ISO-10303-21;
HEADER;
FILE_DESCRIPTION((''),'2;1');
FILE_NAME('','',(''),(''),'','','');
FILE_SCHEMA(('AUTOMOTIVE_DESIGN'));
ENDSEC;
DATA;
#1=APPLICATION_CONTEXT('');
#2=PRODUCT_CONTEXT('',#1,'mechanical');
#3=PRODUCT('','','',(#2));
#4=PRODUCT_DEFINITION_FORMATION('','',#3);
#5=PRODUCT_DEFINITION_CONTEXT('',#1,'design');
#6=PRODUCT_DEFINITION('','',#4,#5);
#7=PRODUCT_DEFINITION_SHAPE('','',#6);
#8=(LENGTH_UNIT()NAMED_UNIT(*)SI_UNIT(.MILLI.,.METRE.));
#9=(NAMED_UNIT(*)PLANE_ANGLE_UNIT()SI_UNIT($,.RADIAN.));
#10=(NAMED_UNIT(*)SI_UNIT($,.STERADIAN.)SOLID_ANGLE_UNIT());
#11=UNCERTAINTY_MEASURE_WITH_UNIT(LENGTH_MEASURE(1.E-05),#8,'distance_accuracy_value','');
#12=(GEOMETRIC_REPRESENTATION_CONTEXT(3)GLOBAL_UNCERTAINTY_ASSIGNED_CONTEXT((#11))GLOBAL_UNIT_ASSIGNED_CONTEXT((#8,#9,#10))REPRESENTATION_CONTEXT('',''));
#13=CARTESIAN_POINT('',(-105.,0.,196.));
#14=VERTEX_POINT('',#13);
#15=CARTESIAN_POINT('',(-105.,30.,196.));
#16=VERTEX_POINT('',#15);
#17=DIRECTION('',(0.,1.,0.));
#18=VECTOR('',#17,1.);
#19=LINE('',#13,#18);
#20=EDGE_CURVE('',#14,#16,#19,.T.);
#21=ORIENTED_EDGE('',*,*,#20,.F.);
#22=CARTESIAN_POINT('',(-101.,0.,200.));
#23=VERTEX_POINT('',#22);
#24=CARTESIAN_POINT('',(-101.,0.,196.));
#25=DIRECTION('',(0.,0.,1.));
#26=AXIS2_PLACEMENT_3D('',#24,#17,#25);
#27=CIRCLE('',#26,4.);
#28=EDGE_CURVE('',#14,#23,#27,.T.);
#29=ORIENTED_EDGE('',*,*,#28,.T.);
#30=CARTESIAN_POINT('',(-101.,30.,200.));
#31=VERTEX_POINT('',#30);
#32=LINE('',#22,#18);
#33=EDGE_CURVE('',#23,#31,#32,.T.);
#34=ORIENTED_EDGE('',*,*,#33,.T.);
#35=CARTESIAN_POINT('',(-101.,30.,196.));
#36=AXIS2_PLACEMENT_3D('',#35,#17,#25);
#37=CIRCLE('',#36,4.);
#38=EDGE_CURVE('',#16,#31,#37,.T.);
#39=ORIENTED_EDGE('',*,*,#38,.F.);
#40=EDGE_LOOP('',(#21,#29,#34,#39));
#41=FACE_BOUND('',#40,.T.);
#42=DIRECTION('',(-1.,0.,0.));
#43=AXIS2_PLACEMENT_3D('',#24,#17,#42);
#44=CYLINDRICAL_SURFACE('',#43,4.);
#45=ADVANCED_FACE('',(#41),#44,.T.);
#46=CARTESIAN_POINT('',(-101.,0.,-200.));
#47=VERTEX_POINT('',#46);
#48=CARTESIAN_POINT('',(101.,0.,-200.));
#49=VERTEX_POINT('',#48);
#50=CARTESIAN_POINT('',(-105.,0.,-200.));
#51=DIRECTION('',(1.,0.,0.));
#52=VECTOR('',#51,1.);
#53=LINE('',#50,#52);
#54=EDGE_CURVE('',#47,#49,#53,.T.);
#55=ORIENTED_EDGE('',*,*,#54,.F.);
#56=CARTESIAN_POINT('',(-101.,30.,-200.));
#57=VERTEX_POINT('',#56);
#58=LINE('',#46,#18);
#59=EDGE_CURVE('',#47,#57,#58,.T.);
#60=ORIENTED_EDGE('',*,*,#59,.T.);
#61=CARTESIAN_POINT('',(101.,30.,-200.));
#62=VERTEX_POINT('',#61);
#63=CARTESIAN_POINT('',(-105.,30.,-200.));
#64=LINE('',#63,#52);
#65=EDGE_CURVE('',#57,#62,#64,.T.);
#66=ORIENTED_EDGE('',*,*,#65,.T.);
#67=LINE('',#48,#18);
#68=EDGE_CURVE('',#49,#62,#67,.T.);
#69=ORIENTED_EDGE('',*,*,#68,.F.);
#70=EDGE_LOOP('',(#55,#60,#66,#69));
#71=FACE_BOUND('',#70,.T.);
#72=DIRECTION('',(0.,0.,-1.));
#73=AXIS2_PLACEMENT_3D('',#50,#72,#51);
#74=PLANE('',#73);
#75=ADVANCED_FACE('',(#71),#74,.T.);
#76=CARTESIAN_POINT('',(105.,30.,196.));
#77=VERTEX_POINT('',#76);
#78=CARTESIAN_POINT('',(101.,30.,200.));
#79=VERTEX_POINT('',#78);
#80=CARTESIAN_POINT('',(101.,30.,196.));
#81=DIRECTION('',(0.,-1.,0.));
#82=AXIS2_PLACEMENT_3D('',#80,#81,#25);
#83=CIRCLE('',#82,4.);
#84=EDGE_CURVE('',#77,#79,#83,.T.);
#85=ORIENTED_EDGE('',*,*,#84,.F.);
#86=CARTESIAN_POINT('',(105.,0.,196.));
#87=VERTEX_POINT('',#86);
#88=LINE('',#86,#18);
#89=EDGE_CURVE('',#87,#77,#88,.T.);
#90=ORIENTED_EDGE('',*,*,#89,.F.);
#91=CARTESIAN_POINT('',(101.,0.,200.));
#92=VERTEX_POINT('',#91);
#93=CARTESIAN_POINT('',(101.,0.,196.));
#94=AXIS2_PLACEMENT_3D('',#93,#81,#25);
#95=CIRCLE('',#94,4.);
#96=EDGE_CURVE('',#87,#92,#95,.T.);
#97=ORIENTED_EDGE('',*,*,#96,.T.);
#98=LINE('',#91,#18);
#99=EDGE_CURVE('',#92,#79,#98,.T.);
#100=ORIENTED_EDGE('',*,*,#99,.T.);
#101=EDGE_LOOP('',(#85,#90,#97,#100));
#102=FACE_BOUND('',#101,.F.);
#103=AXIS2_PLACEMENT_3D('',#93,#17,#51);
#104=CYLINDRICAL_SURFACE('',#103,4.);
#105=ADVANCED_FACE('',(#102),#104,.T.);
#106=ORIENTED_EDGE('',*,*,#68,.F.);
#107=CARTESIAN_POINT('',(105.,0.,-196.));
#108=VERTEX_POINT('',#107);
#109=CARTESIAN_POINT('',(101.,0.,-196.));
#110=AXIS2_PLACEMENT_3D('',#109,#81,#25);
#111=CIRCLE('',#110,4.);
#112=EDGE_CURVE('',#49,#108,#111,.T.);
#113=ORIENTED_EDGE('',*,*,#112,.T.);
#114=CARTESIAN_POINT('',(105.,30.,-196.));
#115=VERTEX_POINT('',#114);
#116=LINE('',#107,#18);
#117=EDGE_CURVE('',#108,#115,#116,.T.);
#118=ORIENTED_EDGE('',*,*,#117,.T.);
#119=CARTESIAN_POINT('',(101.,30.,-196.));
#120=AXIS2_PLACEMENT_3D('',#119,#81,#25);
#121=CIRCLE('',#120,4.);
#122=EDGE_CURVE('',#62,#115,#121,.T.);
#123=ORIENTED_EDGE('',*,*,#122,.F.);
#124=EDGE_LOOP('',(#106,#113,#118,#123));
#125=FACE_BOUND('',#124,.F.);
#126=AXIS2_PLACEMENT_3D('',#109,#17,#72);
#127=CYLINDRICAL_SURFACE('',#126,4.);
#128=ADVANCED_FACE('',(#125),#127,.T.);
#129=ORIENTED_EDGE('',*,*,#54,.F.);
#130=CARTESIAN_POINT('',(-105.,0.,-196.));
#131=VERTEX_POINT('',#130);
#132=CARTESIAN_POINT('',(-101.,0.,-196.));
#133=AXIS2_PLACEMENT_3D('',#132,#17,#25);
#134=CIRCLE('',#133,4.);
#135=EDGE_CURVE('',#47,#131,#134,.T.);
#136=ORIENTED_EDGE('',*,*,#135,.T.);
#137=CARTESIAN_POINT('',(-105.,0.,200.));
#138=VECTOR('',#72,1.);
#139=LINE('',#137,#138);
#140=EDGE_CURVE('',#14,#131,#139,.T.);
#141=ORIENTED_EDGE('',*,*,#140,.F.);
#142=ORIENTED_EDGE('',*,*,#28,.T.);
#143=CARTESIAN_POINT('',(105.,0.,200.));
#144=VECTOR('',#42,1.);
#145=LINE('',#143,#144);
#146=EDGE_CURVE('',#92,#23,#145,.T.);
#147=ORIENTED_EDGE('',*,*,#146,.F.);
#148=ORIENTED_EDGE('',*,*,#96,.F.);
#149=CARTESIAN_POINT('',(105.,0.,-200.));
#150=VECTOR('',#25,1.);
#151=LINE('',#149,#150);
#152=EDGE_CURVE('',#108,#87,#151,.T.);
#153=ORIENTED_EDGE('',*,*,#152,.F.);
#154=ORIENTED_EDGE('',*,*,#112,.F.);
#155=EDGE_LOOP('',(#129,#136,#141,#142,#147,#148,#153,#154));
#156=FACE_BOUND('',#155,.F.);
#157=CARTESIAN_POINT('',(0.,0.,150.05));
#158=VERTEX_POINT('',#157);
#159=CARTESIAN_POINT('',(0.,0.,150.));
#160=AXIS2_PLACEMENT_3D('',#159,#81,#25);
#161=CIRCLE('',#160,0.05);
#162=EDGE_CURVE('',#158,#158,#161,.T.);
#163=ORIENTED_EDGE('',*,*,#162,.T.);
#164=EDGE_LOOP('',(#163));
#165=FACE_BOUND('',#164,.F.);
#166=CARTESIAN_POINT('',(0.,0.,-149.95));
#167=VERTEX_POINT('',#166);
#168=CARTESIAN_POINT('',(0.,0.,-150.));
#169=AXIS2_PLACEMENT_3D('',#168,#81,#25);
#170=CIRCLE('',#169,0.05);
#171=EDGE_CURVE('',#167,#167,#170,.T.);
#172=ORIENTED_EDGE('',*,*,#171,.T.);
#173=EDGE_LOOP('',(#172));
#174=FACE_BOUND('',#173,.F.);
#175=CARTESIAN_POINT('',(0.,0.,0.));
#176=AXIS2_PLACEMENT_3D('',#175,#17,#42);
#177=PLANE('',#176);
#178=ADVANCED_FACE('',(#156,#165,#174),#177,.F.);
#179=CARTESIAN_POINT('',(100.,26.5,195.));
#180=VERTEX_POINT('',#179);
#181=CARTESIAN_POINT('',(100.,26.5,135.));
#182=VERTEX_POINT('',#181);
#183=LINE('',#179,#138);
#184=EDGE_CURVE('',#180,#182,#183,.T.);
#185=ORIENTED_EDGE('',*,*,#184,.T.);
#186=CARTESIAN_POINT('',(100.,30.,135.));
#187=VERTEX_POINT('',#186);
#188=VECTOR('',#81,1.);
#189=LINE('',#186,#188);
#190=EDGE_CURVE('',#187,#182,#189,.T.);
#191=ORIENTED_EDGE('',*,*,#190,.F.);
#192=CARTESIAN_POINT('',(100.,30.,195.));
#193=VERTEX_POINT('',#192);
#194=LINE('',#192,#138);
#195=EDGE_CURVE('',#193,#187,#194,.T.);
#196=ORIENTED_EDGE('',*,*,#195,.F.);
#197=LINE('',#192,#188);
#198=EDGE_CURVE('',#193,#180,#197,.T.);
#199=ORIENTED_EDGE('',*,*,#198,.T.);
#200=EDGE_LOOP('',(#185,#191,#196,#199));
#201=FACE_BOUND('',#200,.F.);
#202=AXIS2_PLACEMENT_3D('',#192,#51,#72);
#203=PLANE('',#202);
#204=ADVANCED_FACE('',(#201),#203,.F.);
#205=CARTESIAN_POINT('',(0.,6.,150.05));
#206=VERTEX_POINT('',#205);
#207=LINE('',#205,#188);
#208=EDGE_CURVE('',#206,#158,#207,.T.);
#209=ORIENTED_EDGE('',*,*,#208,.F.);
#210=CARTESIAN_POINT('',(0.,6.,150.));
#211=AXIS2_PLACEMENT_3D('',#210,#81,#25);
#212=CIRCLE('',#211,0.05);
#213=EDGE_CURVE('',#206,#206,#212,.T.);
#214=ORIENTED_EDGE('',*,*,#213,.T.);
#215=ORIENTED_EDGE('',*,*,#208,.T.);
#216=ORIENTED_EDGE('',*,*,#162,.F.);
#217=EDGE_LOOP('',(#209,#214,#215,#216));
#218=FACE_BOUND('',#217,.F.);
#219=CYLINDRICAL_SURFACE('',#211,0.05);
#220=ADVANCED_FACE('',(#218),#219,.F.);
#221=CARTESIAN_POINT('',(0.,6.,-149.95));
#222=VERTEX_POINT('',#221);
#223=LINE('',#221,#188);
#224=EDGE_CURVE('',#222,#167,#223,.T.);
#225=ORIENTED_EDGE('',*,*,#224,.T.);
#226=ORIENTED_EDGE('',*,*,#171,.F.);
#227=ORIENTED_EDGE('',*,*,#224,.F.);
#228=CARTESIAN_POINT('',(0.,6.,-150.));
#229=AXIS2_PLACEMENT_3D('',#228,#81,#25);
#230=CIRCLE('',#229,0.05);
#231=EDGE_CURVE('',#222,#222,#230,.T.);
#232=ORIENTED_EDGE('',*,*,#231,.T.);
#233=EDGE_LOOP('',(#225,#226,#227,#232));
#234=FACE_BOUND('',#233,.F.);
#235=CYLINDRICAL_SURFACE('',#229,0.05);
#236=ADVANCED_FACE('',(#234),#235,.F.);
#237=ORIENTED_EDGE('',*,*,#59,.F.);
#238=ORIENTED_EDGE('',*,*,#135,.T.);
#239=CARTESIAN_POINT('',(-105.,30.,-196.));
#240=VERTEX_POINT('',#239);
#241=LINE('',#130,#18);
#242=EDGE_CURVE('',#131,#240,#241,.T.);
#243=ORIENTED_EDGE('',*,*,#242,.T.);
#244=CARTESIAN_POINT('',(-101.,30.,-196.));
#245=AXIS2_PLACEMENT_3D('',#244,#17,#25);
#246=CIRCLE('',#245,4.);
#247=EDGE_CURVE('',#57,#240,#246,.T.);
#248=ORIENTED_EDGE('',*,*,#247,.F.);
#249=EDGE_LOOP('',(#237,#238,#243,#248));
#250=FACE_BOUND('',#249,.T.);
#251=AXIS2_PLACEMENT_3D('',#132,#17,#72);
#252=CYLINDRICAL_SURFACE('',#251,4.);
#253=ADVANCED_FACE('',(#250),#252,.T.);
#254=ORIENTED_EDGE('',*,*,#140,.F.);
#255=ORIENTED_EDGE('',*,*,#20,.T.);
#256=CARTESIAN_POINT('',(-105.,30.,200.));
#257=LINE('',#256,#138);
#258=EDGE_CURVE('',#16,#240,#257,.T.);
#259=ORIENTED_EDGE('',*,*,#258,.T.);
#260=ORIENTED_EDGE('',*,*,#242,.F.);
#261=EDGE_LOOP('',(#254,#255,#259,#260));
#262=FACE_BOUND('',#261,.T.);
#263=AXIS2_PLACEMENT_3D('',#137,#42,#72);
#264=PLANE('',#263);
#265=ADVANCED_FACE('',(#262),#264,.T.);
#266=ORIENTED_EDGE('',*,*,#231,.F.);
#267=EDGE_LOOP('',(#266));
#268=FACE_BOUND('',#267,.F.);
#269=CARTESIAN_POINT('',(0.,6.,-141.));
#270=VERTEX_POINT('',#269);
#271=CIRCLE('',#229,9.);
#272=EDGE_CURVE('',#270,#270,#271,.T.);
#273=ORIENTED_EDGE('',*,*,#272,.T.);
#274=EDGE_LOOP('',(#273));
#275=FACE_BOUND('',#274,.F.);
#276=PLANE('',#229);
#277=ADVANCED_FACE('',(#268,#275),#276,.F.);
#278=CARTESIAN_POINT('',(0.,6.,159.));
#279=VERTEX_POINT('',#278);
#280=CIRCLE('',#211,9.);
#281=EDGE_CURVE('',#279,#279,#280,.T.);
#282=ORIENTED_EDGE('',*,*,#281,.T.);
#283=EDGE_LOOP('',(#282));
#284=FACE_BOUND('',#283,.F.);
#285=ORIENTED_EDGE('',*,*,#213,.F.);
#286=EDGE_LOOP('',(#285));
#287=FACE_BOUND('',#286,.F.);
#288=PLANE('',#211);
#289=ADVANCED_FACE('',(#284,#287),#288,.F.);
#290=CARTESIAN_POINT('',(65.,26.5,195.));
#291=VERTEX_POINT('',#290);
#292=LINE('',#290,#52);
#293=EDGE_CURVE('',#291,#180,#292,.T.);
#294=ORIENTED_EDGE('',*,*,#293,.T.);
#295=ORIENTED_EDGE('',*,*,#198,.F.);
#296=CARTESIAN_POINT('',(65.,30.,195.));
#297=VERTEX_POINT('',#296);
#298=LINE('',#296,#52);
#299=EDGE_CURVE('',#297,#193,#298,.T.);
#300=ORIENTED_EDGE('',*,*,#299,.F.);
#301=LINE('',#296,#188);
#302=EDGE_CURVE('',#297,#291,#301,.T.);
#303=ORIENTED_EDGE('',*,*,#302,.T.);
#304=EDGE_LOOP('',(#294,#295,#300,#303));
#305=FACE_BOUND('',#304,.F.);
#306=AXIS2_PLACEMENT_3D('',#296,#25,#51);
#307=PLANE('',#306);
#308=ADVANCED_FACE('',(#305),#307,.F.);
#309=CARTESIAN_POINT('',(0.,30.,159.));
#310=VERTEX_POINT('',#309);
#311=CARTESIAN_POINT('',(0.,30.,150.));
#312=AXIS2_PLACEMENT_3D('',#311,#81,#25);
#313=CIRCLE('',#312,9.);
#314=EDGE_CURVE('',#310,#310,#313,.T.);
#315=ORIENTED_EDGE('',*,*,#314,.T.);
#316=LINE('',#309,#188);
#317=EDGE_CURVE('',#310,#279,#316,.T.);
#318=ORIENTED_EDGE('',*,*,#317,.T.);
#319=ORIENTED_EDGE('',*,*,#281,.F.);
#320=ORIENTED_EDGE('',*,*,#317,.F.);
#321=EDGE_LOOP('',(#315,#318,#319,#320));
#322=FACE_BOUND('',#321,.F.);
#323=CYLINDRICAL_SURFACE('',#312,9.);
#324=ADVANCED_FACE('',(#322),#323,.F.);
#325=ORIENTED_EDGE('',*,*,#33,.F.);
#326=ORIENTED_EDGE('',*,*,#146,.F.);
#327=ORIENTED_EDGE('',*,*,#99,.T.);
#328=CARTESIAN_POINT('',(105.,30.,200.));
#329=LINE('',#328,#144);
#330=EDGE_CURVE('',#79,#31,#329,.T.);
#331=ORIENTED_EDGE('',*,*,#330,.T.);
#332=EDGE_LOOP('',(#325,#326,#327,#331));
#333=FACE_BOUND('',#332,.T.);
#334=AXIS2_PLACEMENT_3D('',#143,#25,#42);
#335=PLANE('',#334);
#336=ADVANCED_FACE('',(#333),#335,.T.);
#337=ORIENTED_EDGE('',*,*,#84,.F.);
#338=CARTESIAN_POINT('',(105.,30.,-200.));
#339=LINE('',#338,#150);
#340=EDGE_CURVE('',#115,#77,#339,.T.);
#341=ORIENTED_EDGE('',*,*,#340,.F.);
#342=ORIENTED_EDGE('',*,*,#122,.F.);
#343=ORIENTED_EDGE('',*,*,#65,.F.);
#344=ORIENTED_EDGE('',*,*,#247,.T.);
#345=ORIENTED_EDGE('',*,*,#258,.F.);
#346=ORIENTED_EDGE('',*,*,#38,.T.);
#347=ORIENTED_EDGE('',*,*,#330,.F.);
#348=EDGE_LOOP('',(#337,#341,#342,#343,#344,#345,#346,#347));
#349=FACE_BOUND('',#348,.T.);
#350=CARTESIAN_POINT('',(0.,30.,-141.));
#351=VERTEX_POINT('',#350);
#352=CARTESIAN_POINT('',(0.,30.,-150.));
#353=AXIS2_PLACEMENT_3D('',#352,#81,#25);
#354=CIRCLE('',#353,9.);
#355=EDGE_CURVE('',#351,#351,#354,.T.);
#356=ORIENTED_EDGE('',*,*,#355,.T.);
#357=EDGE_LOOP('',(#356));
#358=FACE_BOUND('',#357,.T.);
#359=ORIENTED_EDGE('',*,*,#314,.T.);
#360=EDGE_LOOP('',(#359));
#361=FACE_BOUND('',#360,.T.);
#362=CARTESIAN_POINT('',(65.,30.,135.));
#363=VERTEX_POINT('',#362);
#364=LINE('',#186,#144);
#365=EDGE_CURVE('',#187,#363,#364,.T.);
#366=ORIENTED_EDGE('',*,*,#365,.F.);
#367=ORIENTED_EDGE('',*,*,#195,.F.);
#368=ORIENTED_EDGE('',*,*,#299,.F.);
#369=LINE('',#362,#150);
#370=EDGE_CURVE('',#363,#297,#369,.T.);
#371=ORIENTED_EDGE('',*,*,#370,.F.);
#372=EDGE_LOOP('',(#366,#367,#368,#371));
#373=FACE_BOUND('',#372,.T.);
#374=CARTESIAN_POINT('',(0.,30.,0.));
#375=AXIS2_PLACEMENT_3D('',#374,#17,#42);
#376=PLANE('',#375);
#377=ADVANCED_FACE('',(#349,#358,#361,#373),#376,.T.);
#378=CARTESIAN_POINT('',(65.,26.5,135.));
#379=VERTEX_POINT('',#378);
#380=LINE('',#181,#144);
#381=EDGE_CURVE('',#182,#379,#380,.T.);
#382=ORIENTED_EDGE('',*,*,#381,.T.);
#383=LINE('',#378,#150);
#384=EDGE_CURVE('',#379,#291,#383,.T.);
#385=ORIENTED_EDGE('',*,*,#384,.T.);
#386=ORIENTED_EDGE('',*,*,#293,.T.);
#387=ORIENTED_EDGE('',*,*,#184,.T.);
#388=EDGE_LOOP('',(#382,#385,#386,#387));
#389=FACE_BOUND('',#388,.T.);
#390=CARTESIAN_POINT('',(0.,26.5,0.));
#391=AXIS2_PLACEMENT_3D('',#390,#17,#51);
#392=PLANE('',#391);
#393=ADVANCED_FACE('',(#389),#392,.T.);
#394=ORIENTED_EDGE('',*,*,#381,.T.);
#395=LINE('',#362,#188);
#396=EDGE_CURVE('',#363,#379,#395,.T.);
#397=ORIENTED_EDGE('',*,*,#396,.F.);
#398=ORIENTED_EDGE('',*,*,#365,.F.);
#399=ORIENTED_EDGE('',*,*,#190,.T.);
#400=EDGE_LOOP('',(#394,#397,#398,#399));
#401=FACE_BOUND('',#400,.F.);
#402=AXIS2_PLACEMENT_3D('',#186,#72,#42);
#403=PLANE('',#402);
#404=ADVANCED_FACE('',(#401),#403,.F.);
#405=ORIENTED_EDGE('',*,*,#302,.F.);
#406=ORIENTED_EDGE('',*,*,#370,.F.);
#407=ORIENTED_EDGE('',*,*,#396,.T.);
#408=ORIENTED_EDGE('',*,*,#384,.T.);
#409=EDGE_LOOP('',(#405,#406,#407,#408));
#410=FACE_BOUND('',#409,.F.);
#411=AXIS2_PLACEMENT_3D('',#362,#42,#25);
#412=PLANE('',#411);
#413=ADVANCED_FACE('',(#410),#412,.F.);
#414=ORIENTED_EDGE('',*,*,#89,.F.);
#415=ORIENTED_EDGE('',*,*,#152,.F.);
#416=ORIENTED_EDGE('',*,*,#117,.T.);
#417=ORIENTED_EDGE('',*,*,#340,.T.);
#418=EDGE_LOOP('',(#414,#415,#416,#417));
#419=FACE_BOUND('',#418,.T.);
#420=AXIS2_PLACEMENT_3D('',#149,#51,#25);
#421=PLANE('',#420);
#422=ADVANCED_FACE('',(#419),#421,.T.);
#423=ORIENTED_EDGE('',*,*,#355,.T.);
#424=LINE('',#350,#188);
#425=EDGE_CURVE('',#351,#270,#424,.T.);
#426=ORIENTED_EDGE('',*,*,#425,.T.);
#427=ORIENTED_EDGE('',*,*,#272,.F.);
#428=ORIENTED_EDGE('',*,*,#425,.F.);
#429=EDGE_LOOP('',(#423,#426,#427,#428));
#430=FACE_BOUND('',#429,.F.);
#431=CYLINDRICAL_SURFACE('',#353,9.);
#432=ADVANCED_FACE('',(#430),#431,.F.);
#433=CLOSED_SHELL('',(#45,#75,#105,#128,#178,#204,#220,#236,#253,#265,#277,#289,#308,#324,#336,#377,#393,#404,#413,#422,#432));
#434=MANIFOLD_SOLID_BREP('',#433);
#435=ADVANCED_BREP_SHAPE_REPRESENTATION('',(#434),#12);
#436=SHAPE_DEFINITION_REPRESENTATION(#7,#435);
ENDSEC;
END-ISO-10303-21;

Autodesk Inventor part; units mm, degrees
ref_plane "YZ Plane" through (0, 0, 0) normal (1, 0, 0) x (0, 1, 0)
ref_plane "XZ Plane" through (0, 0, 0) normal (0, 1, 0) x (-1, 0, 0)
ref_plane "XY Plane" through (0, 0, 0) normal (0, 0, 1) x (1, 0, 0)
sketch "Sketch1" plane through (0, 0, 0) normal (0, 1, 0) x (-1, 0, 0)
  line L0 (105, -200) -> (-105, -200)
  line L1 (-105, -200) -> (-105, 200)
  line L2 (-105, 200) -> (105, 200)
  line L3 (105, 200) -> (105, -200)
  line L4 (105, -200) -> (-105, 200) construction
  line L5 (-105, -200) -> (105, 200) construction
  point P0 (0, 0)
  dimension "d0" = 210
  dimension "d1" = 400
extrude "Extrusion1" add sketch "Sketch1" along normal blind 30
sketch "Sketch2" plane through (0, 30, 0) normal (0, 1, 0) x (1, 0, 0)
  circle A0 centre (0, 150) radius 9
  circle A1 centre (0, -150) radius 9
  line L0 (-105, -200) -> (105, -200) projected
  line L1 (105, 200) -> (-105, 200) projected
  point P0 (0, 0)
  dimension "d4" = 18
  dimension "d5" = 18
  dimension "d6" = 150
  dimension "d7" = 150
  dimension "d23" = 400
hole "Hole1" at (0, 30, -150) at (0, 30, 150) direction (0, -1, 0) diameter 0.1 end through all counterbore diameter 18 counterbore depth 24
sketch "Sketch3" plane through (0, 30, 0) normal (0, 1, 0) x (1, 0, 0)
  line L0 (65, -195) -> (100, -195)
  line L1 (100, -195) -> (100, -135)
  line L2 (100, -135) -> (65, -135)
  line L3 (65, -135) -> (65, -195)
  line L4 (-105, -200) -> (105, -200) projected
  line L5 (105, -200) -> (105, 200) projected
  point P0 (0, 0)
  dimension "d15" = 35
  dimension "d16" = 60
  dimension "d17" = 5
  dimension "d19" = 5
extrude "Extrusion2" cut sketch "Sketch3" against normal blind 3.5
fillet "Fillet1" radius 4 4 edges at (105, 15, 200) (-105, 15, 200) (105, 15, -200) (-105, 15, -200)
properties part number "Podstawa"
